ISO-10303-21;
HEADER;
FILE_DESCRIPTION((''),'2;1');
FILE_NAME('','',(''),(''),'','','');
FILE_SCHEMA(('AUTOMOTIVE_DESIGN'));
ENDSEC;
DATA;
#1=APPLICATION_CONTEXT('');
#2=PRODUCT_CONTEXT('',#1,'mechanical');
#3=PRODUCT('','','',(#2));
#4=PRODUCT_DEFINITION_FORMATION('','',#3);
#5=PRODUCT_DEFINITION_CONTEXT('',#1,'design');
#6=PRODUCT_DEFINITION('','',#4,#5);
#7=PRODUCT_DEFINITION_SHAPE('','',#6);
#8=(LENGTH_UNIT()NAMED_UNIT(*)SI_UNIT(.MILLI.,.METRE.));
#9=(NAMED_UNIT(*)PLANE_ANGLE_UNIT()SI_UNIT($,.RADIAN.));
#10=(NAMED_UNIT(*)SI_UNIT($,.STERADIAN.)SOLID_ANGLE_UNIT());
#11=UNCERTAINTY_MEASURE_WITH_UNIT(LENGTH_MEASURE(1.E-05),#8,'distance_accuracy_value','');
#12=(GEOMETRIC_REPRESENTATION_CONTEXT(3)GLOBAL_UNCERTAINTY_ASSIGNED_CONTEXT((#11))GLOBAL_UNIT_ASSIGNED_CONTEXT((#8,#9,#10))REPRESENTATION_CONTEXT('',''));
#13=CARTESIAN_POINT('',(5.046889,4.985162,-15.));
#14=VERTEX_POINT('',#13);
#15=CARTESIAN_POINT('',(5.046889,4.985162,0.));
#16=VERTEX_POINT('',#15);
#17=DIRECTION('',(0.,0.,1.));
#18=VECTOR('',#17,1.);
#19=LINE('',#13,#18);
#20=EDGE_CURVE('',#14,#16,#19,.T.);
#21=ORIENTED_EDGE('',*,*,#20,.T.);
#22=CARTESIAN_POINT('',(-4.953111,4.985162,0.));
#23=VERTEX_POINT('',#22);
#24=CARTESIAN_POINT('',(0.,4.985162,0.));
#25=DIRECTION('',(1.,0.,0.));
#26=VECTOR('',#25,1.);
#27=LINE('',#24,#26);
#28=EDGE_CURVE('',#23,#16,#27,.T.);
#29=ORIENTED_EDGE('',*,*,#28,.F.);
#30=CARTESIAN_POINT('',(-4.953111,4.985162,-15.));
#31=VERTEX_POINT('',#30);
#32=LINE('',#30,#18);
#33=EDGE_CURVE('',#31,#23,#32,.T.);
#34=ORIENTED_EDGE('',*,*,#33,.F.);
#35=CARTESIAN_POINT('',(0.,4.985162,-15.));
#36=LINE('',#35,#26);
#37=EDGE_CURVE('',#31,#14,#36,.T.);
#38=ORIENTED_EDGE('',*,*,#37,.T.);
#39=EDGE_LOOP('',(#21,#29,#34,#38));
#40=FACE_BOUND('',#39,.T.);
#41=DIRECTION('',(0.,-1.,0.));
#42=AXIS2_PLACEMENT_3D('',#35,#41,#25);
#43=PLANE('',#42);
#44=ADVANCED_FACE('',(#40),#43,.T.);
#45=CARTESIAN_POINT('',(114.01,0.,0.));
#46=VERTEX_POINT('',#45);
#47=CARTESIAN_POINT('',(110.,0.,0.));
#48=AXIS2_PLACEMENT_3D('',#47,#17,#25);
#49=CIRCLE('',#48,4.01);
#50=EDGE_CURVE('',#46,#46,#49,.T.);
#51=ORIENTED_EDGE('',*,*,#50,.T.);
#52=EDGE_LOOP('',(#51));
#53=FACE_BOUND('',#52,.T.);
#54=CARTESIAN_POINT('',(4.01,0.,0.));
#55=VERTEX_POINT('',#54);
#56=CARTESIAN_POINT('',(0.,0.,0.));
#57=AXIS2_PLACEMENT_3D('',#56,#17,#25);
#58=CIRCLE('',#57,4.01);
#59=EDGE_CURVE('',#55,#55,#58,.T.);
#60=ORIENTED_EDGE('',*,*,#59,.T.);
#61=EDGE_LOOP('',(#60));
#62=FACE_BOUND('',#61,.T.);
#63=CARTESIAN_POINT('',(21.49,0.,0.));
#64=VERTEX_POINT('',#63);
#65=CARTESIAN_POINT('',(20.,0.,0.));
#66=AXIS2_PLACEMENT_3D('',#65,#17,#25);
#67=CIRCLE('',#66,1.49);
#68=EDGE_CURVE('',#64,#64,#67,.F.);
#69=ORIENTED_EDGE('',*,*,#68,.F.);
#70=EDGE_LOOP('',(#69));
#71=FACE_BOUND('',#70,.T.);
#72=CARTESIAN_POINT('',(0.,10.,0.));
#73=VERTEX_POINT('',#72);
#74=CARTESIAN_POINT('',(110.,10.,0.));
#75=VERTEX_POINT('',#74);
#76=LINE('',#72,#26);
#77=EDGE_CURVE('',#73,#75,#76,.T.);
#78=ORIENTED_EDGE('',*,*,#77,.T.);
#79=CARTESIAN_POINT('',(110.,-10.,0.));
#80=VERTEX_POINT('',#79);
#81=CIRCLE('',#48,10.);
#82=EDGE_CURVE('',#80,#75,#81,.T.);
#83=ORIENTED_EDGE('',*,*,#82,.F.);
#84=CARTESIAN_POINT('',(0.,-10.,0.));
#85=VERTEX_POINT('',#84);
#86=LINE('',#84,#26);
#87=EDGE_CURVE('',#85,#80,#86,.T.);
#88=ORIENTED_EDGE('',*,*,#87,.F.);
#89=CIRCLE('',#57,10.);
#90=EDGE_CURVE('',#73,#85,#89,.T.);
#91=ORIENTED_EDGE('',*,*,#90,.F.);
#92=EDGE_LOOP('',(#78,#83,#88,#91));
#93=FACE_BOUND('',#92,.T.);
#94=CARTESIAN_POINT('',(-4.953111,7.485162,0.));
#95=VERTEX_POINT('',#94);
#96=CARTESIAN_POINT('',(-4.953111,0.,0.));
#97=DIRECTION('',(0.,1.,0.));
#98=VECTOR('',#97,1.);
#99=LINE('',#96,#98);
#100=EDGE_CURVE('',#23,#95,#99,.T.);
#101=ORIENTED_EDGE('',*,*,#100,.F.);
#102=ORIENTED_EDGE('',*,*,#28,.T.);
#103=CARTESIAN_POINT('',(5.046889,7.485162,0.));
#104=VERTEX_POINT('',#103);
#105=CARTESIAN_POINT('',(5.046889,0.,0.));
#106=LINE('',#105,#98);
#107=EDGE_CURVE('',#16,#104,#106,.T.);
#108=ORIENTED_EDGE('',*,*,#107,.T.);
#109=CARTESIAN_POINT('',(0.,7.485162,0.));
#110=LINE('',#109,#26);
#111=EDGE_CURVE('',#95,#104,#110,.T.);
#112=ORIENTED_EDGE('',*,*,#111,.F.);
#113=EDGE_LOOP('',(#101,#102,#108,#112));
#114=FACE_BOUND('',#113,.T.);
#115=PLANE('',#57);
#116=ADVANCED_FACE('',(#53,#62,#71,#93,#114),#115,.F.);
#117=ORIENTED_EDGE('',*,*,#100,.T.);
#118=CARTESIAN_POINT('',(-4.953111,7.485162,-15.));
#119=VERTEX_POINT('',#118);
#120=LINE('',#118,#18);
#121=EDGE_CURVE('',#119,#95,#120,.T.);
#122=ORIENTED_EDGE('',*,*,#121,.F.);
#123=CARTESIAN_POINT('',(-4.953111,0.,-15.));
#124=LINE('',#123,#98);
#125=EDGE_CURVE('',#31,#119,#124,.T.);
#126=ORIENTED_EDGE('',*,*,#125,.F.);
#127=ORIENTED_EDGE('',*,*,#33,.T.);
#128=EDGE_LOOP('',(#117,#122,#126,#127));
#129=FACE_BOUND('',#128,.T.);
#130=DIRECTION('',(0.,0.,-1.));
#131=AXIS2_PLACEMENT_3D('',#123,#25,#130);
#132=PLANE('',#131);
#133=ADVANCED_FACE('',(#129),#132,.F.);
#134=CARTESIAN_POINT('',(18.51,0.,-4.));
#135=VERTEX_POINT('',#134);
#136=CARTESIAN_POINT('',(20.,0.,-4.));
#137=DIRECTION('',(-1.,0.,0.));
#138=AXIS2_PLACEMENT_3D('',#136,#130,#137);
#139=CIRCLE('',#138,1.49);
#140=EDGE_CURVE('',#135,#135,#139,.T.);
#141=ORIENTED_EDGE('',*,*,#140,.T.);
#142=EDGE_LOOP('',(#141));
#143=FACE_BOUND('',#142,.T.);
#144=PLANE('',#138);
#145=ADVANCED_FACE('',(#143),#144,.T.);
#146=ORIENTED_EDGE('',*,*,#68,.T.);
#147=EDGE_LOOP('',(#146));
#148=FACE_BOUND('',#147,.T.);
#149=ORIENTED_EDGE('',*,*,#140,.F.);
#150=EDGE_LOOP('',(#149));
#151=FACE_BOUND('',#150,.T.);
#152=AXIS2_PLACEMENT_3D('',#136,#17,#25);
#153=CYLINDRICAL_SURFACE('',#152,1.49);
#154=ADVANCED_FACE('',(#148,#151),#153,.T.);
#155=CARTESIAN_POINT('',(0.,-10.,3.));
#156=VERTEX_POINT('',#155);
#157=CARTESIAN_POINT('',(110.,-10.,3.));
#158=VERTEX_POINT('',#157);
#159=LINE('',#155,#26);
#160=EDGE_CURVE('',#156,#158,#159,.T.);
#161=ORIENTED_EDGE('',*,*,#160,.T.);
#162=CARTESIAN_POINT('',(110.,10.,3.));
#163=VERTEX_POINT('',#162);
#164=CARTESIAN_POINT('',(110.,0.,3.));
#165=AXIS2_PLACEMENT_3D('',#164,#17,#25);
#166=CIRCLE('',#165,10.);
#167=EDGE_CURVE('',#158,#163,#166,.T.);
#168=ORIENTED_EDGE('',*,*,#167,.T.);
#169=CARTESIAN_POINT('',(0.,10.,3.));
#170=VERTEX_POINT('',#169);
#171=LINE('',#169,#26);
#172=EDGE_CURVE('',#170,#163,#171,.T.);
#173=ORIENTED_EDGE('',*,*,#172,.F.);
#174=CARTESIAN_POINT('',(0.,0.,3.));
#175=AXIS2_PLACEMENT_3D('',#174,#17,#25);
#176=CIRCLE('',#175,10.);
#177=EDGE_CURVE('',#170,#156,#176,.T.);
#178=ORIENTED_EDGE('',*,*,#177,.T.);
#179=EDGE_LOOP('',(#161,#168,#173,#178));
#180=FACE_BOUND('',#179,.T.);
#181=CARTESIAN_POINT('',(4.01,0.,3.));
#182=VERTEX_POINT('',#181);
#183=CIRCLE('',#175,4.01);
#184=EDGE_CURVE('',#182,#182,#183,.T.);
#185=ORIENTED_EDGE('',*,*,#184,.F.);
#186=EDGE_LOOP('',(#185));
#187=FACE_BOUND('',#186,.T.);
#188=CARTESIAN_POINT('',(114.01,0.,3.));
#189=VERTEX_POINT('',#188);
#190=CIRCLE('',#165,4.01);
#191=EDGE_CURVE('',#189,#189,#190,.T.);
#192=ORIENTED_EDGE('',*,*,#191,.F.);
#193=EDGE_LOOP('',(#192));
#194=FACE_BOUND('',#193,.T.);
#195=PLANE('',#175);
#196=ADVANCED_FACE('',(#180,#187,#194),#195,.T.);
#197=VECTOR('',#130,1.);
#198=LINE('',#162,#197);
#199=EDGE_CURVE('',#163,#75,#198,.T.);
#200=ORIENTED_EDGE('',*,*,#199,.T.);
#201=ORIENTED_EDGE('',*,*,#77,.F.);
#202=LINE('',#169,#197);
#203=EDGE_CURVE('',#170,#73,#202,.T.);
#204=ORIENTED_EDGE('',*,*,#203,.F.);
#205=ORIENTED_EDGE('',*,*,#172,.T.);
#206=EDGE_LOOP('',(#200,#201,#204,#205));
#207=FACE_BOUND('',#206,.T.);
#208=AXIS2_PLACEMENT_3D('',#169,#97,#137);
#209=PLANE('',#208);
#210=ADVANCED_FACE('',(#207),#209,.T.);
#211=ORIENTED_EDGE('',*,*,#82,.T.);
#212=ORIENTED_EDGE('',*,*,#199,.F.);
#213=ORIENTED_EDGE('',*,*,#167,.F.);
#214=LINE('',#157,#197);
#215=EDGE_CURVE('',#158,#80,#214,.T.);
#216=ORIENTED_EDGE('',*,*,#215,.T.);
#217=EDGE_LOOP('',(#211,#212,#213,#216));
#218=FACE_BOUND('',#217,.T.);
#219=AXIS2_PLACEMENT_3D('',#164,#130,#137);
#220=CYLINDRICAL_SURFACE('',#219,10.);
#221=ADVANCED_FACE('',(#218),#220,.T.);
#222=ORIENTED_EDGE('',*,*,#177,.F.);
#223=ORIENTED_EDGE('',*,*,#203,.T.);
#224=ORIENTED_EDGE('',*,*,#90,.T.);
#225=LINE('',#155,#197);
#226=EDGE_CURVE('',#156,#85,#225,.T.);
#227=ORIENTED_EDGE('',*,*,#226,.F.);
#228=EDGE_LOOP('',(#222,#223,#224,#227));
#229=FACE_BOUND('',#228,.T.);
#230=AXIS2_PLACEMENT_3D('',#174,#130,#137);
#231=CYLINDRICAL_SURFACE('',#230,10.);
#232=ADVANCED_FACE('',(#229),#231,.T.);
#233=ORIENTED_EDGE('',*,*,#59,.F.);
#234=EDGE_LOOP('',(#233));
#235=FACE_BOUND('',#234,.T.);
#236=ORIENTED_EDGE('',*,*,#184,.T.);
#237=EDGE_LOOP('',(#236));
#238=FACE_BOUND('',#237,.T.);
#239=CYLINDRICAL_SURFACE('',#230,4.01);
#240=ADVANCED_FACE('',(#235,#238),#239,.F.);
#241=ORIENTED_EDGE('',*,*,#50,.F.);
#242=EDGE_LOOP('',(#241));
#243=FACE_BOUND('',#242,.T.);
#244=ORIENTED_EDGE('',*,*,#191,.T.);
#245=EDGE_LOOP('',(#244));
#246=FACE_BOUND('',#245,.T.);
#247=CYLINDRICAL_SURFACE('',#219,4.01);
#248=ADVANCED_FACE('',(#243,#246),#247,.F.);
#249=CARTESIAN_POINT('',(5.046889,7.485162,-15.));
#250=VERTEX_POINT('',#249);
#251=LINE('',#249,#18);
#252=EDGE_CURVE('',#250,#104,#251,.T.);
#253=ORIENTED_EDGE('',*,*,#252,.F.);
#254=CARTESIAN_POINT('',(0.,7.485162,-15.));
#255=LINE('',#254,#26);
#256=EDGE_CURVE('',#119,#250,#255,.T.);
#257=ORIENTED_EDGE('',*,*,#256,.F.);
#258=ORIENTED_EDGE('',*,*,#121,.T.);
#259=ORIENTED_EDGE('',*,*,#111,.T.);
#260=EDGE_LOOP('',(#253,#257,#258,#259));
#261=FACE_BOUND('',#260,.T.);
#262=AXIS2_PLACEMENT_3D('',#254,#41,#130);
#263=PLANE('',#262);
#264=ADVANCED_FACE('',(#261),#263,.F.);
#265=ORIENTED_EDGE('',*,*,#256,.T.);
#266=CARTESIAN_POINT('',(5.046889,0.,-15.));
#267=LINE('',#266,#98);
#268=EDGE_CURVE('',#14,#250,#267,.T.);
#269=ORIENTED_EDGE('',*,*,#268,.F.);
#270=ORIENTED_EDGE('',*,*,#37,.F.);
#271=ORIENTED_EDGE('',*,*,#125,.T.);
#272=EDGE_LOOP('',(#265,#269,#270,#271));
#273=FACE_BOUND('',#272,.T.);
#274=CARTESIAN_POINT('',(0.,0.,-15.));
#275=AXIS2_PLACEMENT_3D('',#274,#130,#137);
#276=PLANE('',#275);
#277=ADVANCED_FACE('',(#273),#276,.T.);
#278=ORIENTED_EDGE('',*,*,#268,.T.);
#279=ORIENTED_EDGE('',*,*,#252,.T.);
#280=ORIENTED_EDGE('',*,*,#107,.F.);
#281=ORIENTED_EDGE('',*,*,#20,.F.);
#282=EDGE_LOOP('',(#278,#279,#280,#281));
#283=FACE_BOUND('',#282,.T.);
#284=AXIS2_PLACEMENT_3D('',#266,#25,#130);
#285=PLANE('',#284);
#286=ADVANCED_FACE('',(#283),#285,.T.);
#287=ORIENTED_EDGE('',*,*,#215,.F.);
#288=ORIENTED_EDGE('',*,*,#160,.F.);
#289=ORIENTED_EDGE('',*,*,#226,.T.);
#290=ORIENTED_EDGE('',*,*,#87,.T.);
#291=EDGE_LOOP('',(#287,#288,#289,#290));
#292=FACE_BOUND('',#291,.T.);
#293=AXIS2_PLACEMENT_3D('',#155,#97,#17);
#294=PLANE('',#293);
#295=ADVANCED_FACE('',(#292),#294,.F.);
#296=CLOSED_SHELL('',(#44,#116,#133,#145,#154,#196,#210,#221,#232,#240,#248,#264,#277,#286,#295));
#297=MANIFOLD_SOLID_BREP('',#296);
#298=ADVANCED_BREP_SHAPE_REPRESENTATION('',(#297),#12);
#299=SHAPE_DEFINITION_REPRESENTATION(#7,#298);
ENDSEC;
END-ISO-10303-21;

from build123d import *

# Parameters (mm, degrees)
SKETCH1_R           = 4.01
BOSS_EXTRUDE1_DEPTH = 3
SKETCH2_R           = 1.49
BOSS_EXTRUDE3_DEPTH = 4
SKETCH4_W           = 10
SKETCH4_H           = 2.5
BOSS_EXTRUDE5_DEPTH = 15


with BuildPart() as part:
    # Sketch1 → Boss-Extrude1 (new body)
    with BuildSketch(Plane.XY):
        with BuildLine():
            Line((110, 10), (0, 10))
            ThreePointArc((0, 10), (-10, 0), (0, -10))
            Line((0, -10), (110, -10))
            ThreePointArc((110, -10), (120, 0), (110, 10))
        make_face()
        Circle(SKETCH1_R, mode=Mode.SUBTRACT)
        with Locations((110, 0)):
            Circle(SKETCH1_R, mode=Mode.SUBTRACT)
    extrude(amount=BOSS_EXTRUDE1_DEPTH)

    # Sketch2 → Boss-Extrude3 (add)
    with BuildSketch(Plane(origin=(0, 0, 0), x_dir=(-1, 0, 0), z_dir=(0, 0, -1))):
        with Locations(Location((-20, 0, 0), (0, 0, 180))):
            Circle(SKETCH2_R)
    extrude(amount=BOSS_EXTRUDE3_DEPTH)

    # Sketch4 → Boss-Extrude5 (add)
    with BuildSketch(Plane(origin=(0, 0, 0), x_dir=(-1, 0, 0), z_dir=(0, 0, -1))):
        with Locations((-0.046889456, 6.235161972)):
            Rectangle(SKETCH4_W, SKETCH4_H)
    extrude(amount=BOSS_EXTRUDE5_DEPTH)


solid = part.part
